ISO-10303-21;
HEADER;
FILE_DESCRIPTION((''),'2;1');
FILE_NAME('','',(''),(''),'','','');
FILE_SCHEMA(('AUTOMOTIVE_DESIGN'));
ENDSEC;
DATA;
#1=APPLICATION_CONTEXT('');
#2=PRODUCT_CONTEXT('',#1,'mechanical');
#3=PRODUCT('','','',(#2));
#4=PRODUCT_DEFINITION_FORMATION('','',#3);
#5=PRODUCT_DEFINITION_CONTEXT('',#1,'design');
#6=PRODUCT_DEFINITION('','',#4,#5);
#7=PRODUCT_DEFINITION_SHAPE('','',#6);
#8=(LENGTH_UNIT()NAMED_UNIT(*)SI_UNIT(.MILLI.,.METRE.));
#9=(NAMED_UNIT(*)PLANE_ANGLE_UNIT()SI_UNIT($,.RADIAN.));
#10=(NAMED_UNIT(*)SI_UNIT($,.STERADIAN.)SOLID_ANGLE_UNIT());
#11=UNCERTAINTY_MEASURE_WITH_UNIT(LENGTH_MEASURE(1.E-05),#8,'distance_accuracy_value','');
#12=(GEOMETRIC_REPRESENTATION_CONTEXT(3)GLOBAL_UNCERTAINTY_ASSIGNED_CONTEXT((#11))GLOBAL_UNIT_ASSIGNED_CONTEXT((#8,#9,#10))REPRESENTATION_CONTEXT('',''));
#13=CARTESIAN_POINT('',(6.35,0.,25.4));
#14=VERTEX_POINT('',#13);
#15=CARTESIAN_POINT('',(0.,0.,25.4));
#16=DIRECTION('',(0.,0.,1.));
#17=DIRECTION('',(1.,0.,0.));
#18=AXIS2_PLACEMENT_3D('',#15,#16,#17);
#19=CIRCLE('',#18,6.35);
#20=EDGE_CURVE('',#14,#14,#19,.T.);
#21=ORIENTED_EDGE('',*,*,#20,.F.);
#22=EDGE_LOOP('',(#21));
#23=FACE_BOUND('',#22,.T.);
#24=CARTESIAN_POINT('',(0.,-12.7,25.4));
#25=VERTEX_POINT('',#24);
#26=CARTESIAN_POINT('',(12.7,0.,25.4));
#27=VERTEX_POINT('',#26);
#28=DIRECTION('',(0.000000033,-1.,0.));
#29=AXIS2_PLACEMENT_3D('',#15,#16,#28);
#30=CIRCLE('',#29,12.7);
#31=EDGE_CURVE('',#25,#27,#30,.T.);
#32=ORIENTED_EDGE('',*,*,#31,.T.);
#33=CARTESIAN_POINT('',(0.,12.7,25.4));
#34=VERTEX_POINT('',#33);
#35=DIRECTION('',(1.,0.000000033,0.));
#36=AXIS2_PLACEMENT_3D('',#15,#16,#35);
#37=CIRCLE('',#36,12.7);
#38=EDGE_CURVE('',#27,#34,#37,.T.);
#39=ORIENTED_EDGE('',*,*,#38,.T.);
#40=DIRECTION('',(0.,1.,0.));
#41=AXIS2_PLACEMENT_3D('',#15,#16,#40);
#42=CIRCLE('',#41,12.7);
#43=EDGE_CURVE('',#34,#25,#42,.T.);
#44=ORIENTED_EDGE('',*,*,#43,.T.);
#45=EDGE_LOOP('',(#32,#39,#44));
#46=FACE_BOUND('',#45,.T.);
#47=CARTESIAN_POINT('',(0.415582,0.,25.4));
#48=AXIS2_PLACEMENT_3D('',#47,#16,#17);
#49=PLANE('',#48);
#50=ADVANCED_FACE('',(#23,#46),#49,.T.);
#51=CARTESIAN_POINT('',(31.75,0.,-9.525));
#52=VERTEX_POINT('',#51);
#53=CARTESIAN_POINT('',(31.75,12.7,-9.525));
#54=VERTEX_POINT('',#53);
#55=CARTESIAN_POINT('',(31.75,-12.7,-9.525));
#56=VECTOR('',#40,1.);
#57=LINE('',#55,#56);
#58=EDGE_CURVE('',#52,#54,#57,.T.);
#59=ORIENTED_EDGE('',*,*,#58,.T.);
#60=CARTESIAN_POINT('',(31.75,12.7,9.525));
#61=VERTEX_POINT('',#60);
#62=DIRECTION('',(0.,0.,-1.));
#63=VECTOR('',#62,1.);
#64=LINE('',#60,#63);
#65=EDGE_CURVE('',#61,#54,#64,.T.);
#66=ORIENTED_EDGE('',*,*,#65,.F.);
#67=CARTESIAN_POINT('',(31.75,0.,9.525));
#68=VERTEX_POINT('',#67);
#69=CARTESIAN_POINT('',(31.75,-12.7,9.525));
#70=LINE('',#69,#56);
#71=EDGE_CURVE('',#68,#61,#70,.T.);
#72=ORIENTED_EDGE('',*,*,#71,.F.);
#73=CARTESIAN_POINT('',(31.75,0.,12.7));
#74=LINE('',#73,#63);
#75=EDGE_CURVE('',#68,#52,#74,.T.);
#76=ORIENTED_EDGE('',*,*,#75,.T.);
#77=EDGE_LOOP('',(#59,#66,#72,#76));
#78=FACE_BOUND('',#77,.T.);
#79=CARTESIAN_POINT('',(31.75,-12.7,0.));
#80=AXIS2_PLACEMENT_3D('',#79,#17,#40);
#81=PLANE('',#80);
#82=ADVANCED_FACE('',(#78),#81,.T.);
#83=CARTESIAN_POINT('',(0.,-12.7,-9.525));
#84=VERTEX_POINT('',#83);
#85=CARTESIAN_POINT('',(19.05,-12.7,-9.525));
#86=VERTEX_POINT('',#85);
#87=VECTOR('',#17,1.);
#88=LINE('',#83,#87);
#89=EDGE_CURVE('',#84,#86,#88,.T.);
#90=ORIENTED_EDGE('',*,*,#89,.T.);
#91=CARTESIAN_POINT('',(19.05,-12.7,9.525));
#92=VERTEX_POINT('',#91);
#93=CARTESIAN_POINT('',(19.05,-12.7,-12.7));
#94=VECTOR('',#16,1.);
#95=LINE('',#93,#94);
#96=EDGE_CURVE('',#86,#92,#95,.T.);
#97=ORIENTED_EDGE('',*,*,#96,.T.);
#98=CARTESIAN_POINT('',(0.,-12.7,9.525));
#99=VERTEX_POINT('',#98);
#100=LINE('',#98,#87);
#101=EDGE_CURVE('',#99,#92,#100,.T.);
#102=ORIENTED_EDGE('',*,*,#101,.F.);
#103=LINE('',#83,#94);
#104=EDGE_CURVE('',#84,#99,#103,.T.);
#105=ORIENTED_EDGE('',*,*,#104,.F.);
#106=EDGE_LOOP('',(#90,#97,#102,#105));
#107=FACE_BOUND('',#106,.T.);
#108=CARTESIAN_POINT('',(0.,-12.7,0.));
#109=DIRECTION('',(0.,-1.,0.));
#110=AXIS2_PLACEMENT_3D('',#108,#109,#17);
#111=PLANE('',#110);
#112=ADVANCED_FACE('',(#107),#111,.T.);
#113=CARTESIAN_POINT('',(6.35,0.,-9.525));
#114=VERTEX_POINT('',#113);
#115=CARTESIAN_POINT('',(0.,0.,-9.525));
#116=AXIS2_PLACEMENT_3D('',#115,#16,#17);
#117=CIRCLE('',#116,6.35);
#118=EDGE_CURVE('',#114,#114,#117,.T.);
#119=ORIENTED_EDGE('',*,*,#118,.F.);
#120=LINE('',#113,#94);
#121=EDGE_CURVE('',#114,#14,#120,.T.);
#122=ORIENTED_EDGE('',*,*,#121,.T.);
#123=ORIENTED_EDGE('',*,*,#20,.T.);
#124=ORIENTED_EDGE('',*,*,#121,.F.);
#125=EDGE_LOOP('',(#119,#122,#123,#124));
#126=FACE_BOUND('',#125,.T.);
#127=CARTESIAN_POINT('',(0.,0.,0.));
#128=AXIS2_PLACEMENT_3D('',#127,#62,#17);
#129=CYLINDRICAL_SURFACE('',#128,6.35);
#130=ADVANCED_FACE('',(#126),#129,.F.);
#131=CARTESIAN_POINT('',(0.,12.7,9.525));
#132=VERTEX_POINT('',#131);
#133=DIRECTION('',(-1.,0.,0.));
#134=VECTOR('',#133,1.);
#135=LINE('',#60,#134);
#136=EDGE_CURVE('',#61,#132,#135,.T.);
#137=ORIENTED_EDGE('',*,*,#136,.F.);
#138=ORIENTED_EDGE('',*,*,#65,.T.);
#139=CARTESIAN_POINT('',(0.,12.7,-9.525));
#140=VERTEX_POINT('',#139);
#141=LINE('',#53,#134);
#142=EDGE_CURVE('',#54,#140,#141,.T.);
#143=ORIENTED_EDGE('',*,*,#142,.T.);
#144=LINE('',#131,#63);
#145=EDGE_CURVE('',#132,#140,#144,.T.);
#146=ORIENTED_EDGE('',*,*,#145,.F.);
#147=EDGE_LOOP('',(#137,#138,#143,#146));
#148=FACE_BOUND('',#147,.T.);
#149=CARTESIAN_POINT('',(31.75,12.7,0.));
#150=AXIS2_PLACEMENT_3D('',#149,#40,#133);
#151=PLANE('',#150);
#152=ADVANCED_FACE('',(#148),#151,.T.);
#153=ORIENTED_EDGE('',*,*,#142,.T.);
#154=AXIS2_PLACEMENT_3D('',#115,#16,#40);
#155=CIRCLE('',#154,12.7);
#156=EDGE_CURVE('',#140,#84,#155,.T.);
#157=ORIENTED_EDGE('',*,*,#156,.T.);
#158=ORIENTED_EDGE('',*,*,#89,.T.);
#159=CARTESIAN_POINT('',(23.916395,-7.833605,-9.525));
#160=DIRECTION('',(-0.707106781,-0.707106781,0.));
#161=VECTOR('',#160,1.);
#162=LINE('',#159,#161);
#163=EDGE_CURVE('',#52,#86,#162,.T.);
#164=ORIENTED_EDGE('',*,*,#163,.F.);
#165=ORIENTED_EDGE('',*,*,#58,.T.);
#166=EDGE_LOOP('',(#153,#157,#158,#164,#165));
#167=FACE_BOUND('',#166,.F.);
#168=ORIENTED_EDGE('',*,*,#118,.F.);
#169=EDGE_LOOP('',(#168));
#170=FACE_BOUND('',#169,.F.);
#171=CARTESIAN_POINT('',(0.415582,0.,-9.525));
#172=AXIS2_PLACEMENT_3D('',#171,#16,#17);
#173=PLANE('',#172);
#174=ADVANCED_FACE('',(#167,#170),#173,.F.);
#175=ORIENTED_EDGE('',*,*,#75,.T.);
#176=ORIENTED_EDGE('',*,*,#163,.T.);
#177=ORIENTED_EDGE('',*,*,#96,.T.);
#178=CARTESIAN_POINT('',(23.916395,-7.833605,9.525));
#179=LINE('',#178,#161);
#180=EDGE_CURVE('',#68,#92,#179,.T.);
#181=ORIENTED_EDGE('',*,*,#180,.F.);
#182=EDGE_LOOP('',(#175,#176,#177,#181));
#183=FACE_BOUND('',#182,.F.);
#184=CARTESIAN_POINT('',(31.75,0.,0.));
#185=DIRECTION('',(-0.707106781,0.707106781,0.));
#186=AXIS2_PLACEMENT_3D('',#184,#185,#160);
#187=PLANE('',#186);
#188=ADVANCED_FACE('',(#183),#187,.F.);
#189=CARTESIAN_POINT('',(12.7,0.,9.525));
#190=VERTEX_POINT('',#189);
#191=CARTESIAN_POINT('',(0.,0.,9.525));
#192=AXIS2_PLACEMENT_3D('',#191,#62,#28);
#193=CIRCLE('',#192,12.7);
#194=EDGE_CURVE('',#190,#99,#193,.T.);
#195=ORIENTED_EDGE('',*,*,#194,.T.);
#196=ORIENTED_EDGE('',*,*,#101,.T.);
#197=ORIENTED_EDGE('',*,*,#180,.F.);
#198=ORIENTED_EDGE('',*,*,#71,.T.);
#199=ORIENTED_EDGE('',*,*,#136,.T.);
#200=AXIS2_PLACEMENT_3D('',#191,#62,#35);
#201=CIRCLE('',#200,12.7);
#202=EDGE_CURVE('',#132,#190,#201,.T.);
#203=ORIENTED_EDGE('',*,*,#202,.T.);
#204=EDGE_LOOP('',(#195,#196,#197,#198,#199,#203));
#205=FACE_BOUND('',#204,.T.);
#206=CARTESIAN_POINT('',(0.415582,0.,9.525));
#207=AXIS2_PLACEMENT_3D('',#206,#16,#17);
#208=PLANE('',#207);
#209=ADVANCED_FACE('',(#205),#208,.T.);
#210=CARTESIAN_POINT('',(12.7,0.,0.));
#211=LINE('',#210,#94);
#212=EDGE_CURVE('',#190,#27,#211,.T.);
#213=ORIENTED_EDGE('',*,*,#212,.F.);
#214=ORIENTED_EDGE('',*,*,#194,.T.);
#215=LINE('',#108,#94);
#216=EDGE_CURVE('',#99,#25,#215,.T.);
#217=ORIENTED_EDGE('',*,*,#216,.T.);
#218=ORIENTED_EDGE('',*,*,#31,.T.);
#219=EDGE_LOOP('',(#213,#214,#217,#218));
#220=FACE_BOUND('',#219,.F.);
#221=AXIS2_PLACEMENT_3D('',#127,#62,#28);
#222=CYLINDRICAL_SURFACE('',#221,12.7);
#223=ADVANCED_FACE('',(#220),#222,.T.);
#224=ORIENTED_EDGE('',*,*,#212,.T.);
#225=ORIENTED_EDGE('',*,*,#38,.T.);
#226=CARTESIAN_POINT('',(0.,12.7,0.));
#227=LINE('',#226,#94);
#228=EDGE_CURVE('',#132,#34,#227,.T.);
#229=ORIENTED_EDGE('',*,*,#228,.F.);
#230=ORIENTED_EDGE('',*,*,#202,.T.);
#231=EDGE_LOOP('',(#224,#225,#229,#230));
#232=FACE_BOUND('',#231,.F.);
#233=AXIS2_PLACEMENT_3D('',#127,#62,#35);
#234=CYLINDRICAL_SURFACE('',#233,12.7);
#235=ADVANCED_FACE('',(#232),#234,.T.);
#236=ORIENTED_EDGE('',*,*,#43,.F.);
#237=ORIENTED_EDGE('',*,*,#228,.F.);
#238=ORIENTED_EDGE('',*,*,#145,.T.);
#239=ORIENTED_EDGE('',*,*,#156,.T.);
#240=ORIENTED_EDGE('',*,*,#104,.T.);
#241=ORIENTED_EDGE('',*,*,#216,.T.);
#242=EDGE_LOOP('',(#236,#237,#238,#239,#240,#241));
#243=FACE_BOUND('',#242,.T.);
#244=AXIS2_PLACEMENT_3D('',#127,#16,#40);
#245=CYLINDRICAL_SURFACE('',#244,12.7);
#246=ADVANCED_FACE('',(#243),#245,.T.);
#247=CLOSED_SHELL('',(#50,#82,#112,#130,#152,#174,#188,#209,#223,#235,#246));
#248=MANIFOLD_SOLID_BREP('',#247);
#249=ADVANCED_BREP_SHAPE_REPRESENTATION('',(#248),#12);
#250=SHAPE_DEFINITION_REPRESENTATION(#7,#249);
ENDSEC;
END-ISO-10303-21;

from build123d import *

# Parameters (mm, degrees)
F0_R     = 6.35
F1_DEPTH = 25.4
F2_DEPTH = 9.525
F4_DEPTH = 12.7


with BuildPart() as f1:
    # F0 (on Top) → F1 (new body)
    with BuildSketch(Plane.XY):
        with BuildLine():
            ThreePointArc((0, -12.7), (8.980256, -8.980256), (12.7, 0))
            ThreePointArc((12.7, 0), (8.980256, 8.980256), (0, 12.7))
            ThreePointArc((0, 12.7), (-12.7, 0), (0, -12.7))
        make_face()
        Circle(F0_R, mode=Mode.SUBTRACT)
    extrude(amount=F1_DEPTH)

    # F0 (on Top) → F2 (join, symmetric)
    with BuildSketch(Plane.XY):
        with BuildLine():
            ThreePointArc((0, -12.7), (8.980256, -8.980256), (12.7, 0))
            ThreePointArc((12.7, 0), (8.980256, 8.980256), (0, 12.7))
            ThreePointArc((0, 12.7), (-12.7, 0), (0, -12.7))
        make_face()
        Circle(F0_R, mode=Mode.SUBTRACT)
        with BuildLine():
            ThreePointArc((0, 12.7), (8.980256, 8.980256), (12.7, 0))
            ThreePointArc((12.7, 0), (8.980256, -8.980256), (0, -12.7))
            Line((0, -12.7), (31.75, -12.7))
            Line((31.75, -12.7), (31.75, 12.7))
            Line((31.75, 12.7), (0, 12.7))
        make_face()
    extrude(amount=F2_DEPTH, both=True)

    # F3 (on Top) → F4 (cut, symmetric)
    with BuildSketch(Plane.XY):
        Polygon((31.75, 0), (19.05, -12.7), (31.75, -12.7), align=None)
    extrude(amount=F4_DEPTH, both=True, mode=Mode.SUBTRACT)


solid = f1.part
